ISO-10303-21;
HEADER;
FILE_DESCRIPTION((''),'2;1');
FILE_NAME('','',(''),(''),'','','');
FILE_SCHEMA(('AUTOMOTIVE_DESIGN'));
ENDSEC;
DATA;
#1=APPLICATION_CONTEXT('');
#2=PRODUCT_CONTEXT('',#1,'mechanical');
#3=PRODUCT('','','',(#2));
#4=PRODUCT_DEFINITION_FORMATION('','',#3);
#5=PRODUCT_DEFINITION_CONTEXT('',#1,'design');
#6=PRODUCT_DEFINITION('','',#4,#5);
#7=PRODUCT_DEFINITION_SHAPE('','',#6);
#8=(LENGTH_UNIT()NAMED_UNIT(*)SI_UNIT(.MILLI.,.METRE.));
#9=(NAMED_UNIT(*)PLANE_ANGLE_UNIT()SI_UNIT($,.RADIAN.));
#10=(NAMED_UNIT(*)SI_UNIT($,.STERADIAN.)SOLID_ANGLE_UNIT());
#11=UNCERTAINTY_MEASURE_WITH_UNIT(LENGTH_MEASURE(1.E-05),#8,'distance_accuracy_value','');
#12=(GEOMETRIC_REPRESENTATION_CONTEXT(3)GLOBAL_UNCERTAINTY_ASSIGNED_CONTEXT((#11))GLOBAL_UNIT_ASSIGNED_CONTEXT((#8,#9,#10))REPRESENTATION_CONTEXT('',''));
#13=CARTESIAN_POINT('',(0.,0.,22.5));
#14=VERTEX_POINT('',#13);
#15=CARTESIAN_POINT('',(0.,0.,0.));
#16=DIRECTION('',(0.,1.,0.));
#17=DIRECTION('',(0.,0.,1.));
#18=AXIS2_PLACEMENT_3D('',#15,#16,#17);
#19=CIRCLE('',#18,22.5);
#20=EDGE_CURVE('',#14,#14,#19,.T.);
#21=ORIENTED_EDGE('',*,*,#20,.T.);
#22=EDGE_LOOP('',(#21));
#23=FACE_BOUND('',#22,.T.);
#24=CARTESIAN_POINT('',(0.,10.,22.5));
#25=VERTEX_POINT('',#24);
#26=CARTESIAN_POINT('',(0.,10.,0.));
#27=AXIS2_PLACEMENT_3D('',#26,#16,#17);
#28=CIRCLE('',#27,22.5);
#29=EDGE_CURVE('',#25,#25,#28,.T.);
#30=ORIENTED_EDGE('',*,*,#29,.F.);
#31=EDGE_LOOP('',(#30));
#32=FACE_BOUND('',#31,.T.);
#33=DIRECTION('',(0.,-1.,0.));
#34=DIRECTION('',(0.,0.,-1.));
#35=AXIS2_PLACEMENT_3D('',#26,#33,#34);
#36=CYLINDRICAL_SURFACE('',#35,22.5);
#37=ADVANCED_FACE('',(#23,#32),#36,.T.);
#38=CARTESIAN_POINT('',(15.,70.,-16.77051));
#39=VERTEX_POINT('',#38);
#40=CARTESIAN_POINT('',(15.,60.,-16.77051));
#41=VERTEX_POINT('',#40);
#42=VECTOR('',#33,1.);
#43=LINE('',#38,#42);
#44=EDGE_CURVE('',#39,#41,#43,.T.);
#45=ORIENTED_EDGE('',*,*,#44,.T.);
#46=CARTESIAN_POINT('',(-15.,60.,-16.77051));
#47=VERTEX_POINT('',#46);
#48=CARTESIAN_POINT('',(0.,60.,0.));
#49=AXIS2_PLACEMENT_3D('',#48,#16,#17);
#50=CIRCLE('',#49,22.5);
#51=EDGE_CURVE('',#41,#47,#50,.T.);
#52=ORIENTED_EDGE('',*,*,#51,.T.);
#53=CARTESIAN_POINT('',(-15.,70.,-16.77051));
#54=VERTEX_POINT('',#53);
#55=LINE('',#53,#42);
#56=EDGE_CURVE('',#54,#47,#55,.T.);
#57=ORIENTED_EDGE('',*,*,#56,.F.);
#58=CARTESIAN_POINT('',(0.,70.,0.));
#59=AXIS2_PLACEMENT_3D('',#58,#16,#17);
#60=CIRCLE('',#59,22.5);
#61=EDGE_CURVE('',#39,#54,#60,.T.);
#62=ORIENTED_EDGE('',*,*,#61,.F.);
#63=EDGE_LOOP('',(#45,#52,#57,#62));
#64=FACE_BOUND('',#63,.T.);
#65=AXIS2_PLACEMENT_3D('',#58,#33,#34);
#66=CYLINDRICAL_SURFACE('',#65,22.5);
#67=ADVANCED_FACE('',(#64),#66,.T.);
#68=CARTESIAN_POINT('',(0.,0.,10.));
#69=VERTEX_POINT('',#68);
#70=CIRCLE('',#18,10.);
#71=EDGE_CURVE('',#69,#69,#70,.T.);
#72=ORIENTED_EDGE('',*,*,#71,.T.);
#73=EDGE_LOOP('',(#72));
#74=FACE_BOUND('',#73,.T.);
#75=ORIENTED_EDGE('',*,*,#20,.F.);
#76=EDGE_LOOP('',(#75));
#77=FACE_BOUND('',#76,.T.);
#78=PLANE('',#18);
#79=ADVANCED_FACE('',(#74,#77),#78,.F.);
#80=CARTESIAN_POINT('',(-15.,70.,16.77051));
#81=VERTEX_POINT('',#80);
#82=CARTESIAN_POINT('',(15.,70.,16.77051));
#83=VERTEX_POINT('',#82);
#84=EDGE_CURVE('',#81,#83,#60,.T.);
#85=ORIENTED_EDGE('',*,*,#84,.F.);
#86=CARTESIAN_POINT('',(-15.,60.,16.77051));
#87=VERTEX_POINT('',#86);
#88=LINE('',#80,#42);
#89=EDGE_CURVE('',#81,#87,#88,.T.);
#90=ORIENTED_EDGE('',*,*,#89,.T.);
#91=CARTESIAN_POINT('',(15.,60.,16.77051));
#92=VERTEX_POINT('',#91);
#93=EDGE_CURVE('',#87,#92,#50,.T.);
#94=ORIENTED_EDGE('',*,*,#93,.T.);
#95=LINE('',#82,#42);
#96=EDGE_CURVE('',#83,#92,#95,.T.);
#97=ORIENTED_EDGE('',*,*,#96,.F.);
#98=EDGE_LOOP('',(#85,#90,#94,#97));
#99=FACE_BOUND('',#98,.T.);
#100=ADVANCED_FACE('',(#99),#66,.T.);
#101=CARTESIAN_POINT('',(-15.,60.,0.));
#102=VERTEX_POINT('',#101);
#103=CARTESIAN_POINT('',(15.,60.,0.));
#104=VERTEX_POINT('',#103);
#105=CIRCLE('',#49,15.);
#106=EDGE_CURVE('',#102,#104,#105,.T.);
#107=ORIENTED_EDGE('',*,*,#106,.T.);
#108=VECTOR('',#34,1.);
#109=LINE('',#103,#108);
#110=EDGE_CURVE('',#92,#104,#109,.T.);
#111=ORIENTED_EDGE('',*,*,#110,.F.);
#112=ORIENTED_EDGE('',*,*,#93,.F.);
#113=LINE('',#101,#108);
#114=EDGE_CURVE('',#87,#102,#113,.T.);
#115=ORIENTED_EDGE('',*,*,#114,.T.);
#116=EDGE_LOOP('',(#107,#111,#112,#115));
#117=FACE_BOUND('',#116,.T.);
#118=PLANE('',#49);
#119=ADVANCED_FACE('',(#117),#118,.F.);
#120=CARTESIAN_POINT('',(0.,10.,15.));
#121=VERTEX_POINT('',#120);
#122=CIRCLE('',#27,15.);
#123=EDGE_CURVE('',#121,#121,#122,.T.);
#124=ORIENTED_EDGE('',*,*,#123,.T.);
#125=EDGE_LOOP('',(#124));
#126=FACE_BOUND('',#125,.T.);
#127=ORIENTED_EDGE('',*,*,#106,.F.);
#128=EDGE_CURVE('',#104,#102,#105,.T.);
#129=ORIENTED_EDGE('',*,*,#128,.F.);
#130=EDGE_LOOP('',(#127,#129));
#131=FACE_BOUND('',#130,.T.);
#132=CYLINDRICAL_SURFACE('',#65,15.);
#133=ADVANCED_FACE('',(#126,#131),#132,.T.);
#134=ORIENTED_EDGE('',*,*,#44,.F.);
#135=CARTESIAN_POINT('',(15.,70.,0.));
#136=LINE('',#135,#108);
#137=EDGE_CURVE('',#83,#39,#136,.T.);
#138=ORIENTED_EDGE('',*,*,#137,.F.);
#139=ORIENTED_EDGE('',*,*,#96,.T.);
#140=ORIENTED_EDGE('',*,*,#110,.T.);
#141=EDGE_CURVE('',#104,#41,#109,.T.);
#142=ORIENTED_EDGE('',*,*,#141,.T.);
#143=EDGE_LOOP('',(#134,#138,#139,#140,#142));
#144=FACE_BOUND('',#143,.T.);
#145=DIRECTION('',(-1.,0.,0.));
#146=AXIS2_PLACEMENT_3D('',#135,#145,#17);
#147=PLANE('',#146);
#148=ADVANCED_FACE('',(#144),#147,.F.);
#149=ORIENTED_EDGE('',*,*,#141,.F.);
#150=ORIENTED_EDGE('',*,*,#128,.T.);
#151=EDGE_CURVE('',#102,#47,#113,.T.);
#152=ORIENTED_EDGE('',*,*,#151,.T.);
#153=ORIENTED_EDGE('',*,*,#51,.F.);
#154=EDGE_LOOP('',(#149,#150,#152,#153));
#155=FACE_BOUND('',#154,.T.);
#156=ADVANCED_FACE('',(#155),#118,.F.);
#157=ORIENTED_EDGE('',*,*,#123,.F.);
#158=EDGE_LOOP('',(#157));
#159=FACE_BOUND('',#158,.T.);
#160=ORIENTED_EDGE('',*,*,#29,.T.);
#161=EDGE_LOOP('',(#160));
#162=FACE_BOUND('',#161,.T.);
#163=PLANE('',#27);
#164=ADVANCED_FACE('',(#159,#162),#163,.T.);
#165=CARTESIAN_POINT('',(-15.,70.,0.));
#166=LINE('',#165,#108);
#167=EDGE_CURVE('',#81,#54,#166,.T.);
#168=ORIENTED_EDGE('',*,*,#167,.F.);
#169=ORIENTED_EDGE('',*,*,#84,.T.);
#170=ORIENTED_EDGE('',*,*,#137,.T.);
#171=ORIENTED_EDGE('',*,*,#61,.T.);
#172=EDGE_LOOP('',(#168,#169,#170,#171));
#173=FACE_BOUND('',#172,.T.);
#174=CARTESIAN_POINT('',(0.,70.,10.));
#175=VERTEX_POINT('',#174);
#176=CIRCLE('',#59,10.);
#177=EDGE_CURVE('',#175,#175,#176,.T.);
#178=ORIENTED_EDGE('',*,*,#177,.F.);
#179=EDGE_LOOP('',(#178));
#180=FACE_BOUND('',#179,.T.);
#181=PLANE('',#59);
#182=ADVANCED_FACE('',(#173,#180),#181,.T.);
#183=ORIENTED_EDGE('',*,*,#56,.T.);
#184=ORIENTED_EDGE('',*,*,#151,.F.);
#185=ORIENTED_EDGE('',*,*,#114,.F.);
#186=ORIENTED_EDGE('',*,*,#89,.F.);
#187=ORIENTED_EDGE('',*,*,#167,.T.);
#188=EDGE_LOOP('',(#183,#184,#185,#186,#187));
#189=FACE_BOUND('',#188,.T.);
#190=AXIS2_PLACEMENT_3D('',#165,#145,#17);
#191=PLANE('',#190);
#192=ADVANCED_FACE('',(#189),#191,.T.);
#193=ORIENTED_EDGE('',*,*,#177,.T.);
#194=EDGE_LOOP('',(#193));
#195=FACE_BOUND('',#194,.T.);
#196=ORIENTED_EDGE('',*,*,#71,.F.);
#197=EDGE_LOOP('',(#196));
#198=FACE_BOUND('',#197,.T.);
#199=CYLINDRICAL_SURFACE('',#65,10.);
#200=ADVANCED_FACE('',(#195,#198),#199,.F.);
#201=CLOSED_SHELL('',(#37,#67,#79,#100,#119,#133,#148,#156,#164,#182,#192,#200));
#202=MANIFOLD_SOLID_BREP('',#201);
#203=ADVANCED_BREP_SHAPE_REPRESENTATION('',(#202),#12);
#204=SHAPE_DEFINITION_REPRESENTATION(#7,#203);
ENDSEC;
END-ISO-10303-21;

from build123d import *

# Parameters (mm, degrees)
SKETCH1_R           = 22.5
SKETCH1_R_2         = 15
BOSS_EXTRUDE1_DEPTH = 10
SKETCH1_3_R         = 10
BOSS_EXTRUDE2_DEPTH = 70
BOSS_EXTRUDE3_START = 60
BOSS_EXTRUDE3_DEPTH = 10


with BuildPart() as part:
    # Sketch1 → Boss-Extrude1 (new body)
    with BuildSketch(Plane(origin=(0, 0, 0), x_dir=(1, 0, 0), z_dir=(0, 1, 0))):
        Circle(SKETCH1_R)
        Circle(SKETCH1_R_2, mode=Mode.SUBTRACT)
    extrude(amount=BOSS_EXTRUDE1_DEPTH)

    # Sketch1<3> → Boss-Extrude2 (add)
    with BuildSketch(Plane(origin=(0, 0, 0), x_dir=(1, 0, 0), z_dir=(0, 1, 0))):
        with BuildLine():
            ThreePointArc((-15, 1.4e-08), (-7e-09, -15), (15, 0))
            ThreePointArc((15, 0), (7e-09, 15), (-15, 1.4e-08))
        make_face()
        Circle(SKETCH1_3_R, mode=Mode.SUBTRACT)
    extrude(amount=BOSS_EXTRUDE2_DEPTH)

    # Sketch1<4> → Boss-Extrude3 (add)
    with BuildSketch(Plane(origin=(0, 0, 0), x_dir=(1, 0, 0), z_dir=(0, 1, 0)).offset(BOSS_EXTRUDE3_START)):
        with BuildLine():
            ThreePointArc((-15, -16.770509831), (0, -22.5), (15, -16.770509831))
            Line((15, -16.770509831), (15, 0))
            ThreePointArc((15, 0), (-7e-09, -15), (-15, 1.4e-08))
            Line((-15, 1.4e-08), (-15, -16.770509831))
        make_face()
        with BuildLine():
            ThreePointArc((-15, 1.4e-08), (7e-09, 15), (15, 0))
            Line((15, 0), (15, 16.770509831))
            ThreePointArc((15, 16.770509831), (0, 22.5), (-15, 16.770509831))
            Line((-15, 16.770509831), (-15, 1.4e-08))
        make_face()
    extrude(amount=BOSS_EXTRUDE3_DEPTH)


solid = part.part
